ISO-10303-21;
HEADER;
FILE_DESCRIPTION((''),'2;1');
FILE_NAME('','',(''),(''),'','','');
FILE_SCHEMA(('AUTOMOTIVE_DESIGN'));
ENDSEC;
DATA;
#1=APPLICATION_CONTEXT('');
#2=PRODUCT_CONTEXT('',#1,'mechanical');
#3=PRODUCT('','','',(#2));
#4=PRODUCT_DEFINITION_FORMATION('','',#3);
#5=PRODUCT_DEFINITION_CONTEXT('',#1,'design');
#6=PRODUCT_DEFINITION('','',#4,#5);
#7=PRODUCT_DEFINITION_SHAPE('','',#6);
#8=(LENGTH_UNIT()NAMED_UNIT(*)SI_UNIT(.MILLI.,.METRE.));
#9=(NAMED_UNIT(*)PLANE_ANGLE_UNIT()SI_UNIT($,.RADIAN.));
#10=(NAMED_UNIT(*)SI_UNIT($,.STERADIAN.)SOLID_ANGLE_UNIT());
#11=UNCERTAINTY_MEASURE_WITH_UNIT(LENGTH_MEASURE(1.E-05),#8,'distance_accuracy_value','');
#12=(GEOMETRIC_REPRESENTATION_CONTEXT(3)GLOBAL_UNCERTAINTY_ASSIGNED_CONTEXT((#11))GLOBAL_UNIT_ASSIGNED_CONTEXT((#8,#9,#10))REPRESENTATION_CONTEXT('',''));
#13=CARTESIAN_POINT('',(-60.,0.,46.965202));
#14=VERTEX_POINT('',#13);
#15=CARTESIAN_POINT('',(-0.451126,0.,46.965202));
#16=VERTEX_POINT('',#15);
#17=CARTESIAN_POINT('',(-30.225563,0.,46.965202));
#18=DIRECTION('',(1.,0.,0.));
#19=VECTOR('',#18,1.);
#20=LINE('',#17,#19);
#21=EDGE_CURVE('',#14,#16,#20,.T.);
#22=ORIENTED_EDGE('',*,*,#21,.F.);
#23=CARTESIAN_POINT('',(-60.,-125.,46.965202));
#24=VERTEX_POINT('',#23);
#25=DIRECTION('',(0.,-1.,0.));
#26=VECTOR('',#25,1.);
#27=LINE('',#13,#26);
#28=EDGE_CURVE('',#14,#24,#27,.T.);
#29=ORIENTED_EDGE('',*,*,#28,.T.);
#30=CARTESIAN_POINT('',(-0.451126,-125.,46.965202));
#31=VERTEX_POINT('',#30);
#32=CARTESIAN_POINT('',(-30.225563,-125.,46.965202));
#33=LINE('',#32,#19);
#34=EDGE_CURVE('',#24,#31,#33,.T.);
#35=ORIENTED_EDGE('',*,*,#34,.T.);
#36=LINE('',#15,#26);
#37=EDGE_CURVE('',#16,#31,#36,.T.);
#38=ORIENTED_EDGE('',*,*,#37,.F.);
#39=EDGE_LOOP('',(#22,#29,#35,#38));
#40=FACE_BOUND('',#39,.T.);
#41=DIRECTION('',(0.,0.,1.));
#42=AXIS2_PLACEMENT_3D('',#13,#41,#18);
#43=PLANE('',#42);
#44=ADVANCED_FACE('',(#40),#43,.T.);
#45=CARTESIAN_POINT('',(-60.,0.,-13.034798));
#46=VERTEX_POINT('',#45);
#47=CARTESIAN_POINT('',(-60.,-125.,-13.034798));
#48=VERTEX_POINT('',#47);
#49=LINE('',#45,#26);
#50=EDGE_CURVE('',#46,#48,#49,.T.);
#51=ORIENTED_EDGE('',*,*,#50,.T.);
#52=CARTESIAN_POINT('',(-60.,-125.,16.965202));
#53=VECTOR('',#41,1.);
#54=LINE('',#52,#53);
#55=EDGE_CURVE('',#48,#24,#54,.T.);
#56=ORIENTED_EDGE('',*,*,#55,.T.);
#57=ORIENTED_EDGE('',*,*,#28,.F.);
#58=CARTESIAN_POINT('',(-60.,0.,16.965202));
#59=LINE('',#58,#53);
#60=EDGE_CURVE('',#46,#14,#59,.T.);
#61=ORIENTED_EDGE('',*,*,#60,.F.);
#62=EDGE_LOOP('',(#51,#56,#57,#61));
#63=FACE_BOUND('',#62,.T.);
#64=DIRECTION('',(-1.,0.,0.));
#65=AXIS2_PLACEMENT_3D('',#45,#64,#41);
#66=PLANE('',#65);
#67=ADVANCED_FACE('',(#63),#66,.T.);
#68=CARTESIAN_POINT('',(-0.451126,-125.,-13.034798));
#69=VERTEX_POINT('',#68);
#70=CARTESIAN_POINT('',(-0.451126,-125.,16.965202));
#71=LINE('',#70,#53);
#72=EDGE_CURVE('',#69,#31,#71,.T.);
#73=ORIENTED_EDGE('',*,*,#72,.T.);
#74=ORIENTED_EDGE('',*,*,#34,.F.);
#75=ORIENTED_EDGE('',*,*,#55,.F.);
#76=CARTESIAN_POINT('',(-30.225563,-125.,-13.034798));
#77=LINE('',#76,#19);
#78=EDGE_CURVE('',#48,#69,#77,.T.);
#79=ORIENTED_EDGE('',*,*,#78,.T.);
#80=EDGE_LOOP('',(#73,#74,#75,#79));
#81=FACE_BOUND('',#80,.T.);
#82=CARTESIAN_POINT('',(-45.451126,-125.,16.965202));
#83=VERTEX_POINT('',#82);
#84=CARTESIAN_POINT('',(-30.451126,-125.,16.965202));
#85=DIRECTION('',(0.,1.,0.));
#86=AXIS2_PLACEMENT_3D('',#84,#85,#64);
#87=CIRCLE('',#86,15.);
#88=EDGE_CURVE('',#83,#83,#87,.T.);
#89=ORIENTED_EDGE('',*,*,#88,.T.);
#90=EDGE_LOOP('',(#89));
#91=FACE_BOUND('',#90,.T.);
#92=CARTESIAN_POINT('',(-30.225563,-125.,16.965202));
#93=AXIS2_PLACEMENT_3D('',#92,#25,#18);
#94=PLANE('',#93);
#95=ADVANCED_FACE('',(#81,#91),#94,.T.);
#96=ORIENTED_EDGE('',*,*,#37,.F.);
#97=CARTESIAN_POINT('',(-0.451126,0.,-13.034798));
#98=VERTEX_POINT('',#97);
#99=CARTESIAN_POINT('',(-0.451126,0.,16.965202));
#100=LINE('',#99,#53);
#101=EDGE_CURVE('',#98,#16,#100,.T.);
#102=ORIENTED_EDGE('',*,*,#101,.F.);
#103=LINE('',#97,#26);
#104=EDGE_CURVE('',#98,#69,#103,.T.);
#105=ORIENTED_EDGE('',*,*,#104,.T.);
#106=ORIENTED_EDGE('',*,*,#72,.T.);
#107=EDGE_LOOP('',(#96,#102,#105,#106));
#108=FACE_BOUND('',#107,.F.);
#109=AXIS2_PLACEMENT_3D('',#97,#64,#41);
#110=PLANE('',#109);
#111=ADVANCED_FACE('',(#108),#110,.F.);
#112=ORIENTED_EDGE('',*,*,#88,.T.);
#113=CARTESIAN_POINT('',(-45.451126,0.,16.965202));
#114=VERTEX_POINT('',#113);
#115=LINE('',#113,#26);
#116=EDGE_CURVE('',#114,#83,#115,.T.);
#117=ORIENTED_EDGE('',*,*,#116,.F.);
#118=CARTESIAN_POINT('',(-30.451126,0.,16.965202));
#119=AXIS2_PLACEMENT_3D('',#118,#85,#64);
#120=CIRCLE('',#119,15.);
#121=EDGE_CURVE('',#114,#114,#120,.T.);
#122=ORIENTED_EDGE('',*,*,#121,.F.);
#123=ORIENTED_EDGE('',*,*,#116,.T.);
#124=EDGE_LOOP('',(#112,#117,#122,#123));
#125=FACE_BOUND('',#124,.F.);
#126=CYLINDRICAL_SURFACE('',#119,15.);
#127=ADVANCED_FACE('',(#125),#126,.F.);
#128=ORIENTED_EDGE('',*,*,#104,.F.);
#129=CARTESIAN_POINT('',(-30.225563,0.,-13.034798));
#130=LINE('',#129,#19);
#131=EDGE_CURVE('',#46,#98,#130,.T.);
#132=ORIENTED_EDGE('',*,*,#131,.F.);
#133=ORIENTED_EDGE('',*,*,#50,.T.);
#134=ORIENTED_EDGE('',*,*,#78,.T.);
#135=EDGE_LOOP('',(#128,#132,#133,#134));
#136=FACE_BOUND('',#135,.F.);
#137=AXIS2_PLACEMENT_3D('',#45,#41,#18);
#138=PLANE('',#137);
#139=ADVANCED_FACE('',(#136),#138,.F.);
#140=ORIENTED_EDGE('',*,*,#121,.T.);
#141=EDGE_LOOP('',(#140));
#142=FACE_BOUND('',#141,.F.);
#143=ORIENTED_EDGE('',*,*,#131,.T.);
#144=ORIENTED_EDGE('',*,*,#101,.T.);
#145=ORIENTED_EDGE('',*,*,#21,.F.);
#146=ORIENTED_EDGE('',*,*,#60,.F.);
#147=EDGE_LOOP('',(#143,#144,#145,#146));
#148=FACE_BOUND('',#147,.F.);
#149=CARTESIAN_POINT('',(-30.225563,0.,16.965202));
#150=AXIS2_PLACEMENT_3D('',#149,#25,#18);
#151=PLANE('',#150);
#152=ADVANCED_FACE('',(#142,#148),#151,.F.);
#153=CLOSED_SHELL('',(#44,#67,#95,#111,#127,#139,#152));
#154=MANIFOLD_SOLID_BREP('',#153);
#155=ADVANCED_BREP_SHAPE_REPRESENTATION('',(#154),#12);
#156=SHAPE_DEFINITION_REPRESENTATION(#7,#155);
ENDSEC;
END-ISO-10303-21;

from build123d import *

# Parameters (mm, degrees)
F0_W       = 59.5488740506
F0_H       = 60
F0_R       = 15
F1_DEPTH   = 125
F2_R       = 15
F1_FACE1_W = 59.5488740506
F1_FACE1_H = 60
F3_DEPTH   = 125.001


with BuildPart() as f1:
    # F0 (on Front) → F1 (new body)
    with BuildSketch(Plane.XZ):
        with Locations((-30.2255629747, 16.9652015452)):
            Rectangle(F0_W, F0_H)
        with Locations((-30.4511259494, 16.9652015452)):
            Circle(F0_R, mode=Mode.SUBTRACT)
        with Locations((-30.4511259494, 16.9652015452)):
            Circle(F0_R)
    extrude(amount=F1_DEPTH)

    # F2 (on face) + F1_face1 (on face) → F3 (cut, through all)
    with BuildSketch(Plane(origin=(0, 0, 0), x_dir=(-1, 0, 0), z_dir=(0, 1, 0))):
        with Locations((30.4511259494, 16.9652015452)):
            Circle(F2_R)
    with BuildSketch(Plane(origin=(-30.2255629747, -125, 16.9652015452), x_dir=(1, 0, 0), z_dir=(0, -1, 0))):
        Rectangle(F1_FACE1_W, F1_FACE1_H)
    extrude(amount=-F3_DEPTH, dir=(0, 1, 0), mode=Mode.SUBTRACT)


solid = f1.part
